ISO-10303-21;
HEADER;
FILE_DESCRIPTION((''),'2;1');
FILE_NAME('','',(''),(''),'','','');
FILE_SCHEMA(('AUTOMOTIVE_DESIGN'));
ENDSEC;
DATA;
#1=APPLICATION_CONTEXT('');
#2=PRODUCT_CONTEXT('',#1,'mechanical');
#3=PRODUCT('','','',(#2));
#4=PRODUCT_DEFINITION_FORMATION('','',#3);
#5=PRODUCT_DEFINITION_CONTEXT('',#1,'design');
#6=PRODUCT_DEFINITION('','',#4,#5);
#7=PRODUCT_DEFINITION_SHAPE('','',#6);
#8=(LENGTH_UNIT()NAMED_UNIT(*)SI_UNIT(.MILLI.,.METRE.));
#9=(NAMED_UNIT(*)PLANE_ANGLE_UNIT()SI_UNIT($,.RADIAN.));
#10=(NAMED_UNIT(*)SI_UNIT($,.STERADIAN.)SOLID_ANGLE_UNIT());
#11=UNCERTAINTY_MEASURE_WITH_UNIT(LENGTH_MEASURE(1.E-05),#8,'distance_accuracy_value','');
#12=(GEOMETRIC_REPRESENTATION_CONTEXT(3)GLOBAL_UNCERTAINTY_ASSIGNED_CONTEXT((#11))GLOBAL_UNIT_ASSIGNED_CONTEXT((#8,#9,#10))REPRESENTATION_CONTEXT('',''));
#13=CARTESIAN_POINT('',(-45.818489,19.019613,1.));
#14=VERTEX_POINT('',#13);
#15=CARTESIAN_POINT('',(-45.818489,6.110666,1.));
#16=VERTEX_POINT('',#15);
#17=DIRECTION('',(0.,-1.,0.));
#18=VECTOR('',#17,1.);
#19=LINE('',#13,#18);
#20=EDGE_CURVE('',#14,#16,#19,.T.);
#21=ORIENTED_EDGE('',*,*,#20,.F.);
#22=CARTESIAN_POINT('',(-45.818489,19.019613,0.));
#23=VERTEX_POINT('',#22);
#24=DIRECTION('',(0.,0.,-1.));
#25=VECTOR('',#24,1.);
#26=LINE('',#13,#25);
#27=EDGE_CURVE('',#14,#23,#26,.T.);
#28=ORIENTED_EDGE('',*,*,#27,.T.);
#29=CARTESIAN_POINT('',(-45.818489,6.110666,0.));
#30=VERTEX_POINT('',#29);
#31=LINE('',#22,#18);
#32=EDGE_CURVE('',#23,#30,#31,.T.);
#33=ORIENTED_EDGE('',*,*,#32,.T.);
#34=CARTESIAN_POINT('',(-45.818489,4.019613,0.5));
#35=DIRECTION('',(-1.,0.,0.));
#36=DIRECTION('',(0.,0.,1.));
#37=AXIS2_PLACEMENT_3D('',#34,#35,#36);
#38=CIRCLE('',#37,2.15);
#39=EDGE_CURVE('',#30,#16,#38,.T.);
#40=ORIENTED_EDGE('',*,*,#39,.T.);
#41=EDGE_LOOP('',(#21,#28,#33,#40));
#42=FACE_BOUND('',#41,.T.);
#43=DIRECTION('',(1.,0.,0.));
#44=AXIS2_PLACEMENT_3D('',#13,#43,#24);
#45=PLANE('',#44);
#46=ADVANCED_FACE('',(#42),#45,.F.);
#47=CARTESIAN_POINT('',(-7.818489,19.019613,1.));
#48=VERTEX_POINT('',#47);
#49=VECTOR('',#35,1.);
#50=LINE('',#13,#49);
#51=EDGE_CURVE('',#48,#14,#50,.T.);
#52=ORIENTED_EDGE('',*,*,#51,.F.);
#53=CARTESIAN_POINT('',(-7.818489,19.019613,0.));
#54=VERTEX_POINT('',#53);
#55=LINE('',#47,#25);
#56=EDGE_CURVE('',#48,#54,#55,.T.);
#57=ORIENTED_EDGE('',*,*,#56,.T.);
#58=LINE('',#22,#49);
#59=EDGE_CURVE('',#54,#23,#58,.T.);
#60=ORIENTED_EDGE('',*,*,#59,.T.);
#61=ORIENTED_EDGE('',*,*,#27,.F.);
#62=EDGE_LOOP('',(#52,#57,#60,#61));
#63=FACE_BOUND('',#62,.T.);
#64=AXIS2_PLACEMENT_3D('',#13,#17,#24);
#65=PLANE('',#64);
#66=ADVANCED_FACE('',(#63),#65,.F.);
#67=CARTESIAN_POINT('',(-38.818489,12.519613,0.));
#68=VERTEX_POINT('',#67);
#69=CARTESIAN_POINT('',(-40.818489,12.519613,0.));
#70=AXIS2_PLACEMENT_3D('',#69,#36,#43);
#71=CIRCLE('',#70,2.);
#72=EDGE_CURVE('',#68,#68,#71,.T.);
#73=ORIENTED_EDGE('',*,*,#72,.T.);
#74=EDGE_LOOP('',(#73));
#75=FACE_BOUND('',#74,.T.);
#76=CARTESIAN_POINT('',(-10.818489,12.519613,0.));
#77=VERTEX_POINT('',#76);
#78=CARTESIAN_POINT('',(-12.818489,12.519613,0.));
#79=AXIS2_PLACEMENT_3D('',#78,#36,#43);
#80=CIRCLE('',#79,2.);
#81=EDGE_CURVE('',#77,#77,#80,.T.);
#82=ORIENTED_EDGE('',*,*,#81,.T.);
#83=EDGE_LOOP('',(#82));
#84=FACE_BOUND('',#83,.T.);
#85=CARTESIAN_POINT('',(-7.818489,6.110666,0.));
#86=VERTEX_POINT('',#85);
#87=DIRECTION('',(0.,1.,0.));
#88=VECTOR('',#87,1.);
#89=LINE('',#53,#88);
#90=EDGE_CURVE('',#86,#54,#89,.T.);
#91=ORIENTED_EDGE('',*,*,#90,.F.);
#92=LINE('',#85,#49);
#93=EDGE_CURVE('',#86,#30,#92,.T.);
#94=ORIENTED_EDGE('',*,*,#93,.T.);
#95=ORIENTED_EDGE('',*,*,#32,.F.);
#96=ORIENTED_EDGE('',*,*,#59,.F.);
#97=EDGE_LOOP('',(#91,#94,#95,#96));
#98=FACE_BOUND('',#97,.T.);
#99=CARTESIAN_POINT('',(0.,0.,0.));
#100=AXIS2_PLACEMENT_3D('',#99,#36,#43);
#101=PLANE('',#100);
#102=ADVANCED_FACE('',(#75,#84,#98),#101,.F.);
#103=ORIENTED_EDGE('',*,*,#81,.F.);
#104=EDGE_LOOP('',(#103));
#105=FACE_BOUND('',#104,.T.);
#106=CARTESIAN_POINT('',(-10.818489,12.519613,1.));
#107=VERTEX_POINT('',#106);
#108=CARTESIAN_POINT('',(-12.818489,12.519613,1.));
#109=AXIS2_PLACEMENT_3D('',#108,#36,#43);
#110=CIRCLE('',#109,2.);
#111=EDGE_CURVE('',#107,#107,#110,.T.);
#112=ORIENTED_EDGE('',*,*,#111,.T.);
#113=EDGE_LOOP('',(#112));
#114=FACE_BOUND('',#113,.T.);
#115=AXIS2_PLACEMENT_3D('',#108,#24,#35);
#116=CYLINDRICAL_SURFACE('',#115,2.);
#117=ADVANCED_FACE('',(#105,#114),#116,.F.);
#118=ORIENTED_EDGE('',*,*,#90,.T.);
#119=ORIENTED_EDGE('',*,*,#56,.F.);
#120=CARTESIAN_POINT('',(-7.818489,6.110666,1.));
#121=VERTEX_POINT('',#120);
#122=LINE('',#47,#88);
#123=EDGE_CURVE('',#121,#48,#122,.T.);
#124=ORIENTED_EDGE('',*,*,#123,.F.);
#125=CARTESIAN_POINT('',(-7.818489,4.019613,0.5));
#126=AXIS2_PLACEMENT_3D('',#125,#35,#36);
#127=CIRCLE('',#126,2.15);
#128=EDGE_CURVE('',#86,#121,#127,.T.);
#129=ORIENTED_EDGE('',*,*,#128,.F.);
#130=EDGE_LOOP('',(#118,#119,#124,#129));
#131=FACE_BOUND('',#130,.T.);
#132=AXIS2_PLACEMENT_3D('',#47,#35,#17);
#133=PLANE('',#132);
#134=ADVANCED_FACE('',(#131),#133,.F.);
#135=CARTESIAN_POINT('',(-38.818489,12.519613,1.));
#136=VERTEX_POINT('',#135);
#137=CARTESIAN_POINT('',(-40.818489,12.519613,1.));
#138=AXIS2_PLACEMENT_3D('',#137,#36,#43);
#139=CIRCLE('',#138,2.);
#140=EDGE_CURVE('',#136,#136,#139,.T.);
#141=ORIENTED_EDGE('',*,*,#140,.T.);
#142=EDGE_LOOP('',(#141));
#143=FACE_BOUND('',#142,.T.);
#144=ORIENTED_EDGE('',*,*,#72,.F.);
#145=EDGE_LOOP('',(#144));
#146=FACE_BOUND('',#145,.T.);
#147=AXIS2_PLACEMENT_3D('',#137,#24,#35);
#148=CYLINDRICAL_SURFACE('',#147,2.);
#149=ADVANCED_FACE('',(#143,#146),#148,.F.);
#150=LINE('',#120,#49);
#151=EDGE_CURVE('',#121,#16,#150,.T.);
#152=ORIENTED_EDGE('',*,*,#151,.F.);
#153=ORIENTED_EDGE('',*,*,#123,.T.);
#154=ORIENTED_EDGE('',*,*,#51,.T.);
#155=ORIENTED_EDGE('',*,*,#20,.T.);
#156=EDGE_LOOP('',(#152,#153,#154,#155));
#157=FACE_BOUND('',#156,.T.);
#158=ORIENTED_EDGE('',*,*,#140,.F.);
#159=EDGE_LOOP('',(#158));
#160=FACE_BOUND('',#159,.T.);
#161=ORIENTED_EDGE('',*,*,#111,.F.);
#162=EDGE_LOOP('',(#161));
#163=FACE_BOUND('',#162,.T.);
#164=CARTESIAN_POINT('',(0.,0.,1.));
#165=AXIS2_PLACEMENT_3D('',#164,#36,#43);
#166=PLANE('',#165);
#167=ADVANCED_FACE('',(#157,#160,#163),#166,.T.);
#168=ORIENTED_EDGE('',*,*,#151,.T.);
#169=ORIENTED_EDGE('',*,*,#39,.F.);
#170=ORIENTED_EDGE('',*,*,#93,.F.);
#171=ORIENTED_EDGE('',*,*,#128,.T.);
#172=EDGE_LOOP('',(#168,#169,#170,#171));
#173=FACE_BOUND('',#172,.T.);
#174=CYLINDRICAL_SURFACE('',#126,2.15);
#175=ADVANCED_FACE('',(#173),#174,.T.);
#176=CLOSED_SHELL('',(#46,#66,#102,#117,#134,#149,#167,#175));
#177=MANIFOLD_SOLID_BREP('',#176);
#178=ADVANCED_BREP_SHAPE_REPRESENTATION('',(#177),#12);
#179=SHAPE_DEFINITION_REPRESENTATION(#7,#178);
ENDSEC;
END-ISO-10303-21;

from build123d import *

# Parameters (mm, degrees)
SKETCH_1_W          = 38
SKETCH_1_H          = 30
SKETCH_1_R          = 2
EXTRUDE_1_DEPTH     = 1
SKETCH_2_W          = 38
SKETCH_2_H          = 15
CUT_EXTRUDE_1_DEPTH = 1
SKETCH_4_R          = 2.15
EXTRUDE_2_DEPTH     = 38


with BuildPart() as part:
    # 草图1 → 凸台-拉伸1 (new body)
    with BuildSketch(Plane.XY):
        with Locations((-26.818488663, 4.019613274)):
            Rectangle(SKETCH_1_W, SKETCH_1_H)
        with Locations((-40.818488663, 12.519613274)):
            Circle(SKETCH_1_R, mode=Mode.SUBTRACT)
        with Locations((-12.818488663, 12.519613274)):
            Circle(SKETCH_1_R, mode=Mode.SUBTRACT)
        with Locations((-40.818488663, -4.480386726)):
            Circle(SKETCH_1_R, mode=Mode.SUBTRACT)
        with Locations((-12.818488663, -4.480386726)):
            Circle(SKETCH_1_R, mode=Mode.SUBTRACT)
    extrude(amount=EXTRUDE_1_DEPTH)

    # 草图2 → 切除-拉伸1 (cut)
    with BuildSketch(Plane.XY.offset(1)):
        with Locations((-26.818488663, -3.480386726)):
            Rectangle(SKETCH_2_W, SKETCH_2_H)
    extrude(amount=-CUT_EXTRUDE_1_DEPTH, mode=Mode.SUBTRACT)

    # 草图4 → 凸台-拉伸2 (add)
    with BuildSketch(Plane.ZY.offset(45.818488663)):
        with Locations((0.5, 4.019613274)):
            Circle(SKETCH_4_R)
    extrude(amount=-EXTRUDE_2_DEPTH)


solid = part.part
